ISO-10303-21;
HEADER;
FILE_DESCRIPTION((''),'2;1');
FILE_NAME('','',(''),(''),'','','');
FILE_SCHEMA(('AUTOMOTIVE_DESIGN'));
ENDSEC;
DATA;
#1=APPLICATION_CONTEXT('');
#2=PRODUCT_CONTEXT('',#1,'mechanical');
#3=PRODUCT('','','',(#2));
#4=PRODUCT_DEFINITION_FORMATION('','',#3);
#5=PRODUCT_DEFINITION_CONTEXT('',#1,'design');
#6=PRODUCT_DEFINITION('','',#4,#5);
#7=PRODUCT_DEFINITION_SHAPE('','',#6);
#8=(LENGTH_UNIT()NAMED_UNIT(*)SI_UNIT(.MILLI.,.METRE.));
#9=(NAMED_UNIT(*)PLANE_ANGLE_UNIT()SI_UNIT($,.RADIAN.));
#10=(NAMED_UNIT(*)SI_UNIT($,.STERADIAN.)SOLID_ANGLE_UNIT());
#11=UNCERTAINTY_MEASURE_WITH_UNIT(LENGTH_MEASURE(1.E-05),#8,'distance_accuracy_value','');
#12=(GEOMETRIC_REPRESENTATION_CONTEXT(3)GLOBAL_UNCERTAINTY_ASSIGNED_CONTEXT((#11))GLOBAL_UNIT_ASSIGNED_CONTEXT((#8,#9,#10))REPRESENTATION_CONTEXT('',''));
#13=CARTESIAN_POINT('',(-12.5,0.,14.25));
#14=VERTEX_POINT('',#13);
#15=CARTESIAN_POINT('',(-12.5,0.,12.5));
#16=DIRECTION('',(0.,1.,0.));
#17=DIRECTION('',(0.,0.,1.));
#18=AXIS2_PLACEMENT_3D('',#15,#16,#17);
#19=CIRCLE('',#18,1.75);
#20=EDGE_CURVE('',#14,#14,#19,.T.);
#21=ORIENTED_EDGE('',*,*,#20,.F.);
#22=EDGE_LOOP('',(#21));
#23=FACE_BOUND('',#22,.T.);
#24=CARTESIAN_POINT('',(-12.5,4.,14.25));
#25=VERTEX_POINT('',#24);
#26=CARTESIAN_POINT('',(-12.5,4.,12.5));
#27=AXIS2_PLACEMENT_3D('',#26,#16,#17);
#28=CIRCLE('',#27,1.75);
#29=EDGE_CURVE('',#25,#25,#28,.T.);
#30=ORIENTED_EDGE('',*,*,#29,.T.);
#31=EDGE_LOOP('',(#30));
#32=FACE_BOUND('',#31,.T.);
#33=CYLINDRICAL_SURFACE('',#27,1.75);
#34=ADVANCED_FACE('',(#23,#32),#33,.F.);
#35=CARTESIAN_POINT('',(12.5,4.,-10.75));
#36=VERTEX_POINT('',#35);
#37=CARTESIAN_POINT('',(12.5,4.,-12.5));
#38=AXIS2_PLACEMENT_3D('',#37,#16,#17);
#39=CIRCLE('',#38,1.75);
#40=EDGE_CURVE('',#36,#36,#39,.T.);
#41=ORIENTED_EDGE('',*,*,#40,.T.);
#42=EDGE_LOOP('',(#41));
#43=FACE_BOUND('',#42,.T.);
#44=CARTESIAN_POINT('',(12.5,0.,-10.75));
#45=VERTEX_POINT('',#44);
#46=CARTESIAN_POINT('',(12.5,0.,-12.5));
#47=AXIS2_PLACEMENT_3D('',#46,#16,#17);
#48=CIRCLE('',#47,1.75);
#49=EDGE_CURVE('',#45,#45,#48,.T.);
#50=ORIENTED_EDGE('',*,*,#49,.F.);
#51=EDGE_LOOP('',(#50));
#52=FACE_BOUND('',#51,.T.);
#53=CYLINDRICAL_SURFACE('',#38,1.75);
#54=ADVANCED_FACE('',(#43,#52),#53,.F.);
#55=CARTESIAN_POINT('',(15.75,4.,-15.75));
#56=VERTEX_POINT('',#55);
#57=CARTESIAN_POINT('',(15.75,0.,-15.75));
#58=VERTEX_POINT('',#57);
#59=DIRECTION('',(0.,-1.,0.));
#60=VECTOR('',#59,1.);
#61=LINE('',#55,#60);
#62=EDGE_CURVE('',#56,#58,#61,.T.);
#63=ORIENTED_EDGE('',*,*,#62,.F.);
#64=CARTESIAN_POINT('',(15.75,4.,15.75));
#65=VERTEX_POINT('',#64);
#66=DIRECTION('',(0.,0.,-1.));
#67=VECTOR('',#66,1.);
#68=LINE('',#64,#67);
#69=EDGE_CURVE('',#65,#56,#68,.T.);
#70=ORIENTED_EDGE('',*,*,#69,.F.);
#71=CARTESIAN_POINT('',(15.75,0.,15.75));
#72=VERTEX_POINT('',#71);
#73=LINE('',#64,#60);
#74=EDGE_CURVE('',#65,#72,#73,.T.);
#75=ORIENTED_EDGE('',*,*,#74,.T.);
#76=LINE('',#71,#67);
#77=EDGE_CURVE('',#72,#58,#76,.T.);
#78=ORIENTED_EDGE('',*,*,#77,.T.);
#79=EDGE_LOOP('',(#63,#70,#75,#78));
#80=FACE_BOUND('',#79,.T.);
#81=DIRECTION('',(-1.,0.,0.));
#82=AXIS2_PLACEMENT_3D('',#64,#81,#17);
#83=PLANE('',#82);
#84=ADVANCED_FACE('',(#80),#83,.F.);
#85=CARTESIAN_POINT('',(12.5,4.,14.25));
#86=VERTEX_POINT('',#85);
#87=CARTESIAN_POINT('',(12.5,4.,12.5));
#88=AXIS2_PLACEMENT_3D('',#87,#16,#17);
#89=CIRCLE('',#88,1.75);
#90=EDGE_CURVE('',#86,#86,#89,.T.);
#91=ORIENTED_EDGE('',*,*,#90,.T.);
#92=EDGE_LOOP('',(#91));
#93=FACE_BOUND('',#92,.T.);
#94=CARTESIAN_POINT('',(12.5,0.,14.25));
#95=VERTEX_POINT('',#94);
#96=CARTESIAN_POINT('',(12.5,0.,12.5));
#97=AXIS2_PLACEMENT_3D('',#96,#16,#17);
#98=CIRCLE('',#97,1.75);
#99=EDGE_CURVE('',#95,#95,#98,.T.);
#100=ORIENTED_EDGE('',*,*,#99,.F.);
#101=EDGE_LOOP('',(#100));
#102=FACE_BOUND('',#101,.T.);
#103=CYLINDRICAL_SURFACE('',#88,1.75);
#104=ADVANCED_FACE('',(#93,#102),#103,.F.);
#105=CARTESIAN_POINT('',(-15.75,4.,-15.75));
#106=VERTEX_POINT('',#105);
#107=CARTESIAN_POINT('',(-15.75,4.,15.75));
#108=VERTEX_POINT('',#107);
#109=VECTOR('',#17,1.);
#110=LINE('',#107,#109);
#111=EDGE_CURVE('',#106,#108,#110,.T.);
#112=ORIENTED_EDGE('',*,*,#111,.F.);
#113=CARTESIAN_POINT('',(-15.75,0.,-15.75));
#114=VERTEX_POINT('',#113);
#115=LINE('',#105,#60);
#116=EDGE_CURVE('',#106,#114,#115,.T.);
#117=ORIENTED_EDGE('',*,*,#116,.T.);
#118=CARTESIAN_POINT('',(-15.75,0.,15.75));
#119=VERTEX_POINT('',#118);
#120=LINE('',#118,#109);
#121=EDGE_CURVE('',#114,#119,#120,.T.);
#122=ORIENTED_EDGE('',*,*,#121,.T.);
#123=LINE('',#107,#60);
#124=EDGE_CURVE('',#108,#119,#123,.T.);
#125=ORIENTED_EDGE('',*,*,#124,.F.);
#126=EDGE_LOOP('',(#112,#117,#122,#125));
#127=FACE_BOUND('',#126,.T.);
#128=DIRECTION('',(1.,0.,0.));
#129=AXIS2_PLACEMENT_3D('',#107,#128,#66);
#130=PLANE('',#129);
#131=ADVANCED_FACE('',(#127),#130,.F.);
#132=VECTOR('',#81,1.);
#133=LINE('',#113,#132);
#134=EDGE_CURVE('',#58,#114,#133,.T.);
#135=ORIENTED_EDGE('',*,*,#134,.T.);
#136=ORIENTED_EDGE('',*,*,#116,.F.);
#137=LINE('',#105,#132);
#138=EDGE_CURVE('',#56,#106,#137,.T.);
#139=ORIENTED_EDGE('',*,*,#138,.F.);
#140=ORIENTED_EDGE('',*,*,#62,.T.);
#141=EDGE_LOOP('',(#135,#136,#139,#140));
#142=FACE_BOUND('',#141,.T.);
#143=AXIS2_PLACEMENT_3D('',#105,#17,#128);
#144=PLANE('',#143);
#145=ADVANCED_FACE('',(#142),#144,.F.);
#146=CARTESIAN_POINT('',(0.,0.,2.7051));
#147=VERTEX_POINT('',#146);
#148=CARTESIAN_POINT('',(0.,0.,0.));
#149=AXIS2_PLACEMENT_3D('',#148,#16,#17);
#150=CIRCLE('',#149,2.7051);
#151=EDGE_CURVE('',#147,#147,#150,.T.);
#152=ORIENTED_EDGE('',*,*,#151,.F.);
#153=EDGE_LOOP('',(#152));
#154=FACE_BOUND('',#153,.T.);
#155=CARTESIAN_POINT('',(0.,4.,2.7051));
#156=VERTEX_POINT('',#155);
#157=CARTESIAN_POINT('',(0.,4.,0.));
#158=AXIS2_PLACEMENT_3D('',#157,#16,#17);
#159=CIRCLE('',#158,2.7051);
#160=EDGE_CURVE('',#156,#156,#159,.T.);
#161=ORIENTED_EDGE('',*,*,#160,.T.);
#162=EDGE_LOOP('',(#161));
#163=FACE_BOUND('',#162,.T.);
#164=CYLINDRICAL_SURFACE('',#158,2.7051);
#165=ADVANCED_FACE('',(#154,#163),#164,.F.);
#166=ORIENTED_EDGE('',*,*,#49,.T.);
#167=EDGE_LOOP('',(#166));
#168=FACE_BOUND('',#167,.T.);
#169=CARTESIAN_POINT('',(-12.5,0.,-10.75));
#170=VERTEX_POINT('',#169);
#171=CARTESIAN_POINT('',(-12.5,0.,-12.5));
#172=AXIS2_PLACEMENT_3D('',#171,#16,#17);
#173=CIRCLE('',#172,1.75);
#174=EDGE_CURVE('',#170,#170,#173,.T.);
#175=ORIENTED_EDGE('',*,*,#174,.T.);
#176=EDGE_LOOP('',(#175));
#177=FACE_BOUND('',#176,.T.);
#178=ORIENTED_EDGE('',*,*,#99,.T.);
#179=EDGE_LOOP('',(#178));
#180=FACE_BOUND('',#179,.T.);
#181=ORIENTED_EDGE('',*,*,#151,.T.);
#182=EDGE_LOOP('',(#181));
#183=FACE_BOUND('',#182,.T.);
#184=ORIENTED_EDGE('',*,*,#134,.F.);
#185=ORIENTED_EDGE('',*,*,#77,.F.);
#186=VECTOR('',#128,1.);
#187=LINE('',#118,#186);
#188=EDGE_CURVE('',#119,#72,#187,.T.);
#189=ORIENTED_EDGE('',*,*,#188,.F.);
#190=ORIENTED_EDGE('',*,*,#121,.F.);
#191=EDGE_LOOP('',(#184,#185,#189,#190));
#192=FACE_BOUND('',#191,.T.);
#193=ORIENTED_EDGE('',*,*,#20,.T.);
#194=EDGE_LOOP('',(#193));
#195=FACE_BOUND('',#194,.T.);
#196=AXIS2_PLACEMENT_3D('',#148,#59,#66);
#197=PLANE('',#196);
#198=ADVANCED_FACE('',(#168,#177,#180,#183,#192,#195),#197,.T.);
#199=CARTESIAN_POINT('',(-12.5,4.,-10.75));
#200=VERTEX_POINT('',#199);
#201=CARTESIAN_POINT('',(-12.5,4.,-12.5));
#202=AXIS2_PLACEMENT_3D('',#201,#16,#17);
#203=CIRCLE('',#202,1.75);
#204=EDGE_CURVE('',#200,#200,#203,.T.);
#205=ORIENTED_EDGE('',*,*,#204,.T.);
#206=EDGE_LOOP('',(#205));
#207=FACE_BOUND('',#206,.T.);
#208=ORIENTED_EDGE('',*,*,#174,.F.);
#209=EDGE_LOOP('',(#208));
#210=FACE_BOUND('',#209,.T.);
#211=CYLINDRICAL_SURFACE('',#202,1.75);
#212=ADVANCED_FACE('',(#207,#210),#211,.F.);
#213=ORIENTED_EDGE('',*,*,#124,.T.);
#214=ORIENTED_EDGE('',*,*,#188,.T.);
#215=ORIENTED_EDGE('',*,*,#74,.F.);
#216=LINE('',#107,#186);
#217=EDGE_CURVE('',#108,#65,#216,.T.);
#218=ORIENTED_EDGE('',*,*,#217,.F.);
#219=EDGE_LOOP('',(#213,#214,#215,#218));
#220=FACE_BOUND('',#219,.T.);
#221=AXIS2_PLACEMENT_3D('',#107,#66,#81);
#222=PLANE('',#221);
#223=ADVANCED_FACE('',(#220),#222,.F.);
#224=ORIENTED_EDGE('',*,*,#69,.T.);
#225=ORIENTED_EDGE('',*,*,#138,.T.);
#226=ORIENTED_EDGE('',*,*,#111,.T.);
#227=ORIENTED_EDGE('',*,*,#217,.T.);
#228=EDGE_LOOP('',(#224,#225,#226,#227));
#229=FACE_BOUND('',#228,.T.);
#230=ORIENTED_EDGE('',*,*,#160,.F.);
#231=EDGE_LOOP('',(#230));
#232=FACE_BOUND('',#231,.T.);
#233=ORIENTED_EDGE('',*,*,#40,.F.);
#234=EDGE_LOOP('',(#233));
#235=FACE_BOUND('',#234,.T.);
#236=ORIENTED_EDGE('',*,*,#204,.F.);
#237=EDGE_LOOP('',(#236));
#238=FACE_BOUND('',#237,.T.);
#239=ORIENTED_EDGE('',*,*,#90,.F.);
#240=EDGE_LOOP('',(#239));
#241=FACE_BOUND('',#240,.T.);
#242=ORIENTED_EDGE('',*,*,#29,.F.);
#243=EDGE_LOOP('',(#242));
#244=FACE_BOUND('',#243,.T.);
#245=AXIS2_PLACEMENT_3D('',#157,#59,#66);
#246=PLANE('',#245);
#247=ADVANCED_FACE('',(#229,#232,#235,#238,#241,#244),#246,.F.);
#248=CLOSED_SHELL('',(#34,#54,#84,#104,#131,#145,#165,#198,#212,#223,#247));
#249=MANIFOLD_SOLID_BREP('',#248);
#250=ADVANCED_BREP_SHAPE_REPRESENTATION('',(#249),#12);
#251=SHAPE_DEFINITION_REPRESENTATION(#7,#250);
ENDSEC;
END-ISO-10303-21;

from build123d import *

# Parameters (mm, degrees)
SKETCH1_W                  = 31.5
SKETCH1_H                  = 31.5
BOSS_EXTRUDE1_DEPTH        = 4
F_3_5_3_5_DIAMETER_HOLE1_D = 3.5
F_1_4_28_TAPPED_HOLE1_D    = 5.4102


with BuildPart() as part:
    # Sketch1 → Boss-Extrude1 (new body)
    with BuildSketch(Plane(origin=(0, 0, 0), x_dir=(1, 0, 0), z_dir=(0, 1, 0))):
        Rectangle(SKETCH1_W, SKETCH1_H)
    extrude(amount=BOSS_EXTRUDE1_DEPTH)

    # Ø3.5 (3.5) Diameter Hole1 (through all)
    with Locations(Plane(origin=(0, 4, 0), x_dir=(1, 0, 0), z_dir=(0, 1, 0))):
        with Locations((-12.5, 12.5), (12.5, 12.5), (12.5, -12.5), (-12.5, -12.5)):
            Hole(F_3_5_3_5_DIAMETER_HOLE1_D / 2)

    # 1/4-28 Tapped Hole1 (through all)
    with Locations(Plane(origin=(0, 4, 0), x_dir=(1, 0, 0), z_dir=(0, 1, 0))):
        with Locations((0, 0)):
            Hole(F_1_4_28_TAPPED_HOLE1_D / 2)


solid = part.part
